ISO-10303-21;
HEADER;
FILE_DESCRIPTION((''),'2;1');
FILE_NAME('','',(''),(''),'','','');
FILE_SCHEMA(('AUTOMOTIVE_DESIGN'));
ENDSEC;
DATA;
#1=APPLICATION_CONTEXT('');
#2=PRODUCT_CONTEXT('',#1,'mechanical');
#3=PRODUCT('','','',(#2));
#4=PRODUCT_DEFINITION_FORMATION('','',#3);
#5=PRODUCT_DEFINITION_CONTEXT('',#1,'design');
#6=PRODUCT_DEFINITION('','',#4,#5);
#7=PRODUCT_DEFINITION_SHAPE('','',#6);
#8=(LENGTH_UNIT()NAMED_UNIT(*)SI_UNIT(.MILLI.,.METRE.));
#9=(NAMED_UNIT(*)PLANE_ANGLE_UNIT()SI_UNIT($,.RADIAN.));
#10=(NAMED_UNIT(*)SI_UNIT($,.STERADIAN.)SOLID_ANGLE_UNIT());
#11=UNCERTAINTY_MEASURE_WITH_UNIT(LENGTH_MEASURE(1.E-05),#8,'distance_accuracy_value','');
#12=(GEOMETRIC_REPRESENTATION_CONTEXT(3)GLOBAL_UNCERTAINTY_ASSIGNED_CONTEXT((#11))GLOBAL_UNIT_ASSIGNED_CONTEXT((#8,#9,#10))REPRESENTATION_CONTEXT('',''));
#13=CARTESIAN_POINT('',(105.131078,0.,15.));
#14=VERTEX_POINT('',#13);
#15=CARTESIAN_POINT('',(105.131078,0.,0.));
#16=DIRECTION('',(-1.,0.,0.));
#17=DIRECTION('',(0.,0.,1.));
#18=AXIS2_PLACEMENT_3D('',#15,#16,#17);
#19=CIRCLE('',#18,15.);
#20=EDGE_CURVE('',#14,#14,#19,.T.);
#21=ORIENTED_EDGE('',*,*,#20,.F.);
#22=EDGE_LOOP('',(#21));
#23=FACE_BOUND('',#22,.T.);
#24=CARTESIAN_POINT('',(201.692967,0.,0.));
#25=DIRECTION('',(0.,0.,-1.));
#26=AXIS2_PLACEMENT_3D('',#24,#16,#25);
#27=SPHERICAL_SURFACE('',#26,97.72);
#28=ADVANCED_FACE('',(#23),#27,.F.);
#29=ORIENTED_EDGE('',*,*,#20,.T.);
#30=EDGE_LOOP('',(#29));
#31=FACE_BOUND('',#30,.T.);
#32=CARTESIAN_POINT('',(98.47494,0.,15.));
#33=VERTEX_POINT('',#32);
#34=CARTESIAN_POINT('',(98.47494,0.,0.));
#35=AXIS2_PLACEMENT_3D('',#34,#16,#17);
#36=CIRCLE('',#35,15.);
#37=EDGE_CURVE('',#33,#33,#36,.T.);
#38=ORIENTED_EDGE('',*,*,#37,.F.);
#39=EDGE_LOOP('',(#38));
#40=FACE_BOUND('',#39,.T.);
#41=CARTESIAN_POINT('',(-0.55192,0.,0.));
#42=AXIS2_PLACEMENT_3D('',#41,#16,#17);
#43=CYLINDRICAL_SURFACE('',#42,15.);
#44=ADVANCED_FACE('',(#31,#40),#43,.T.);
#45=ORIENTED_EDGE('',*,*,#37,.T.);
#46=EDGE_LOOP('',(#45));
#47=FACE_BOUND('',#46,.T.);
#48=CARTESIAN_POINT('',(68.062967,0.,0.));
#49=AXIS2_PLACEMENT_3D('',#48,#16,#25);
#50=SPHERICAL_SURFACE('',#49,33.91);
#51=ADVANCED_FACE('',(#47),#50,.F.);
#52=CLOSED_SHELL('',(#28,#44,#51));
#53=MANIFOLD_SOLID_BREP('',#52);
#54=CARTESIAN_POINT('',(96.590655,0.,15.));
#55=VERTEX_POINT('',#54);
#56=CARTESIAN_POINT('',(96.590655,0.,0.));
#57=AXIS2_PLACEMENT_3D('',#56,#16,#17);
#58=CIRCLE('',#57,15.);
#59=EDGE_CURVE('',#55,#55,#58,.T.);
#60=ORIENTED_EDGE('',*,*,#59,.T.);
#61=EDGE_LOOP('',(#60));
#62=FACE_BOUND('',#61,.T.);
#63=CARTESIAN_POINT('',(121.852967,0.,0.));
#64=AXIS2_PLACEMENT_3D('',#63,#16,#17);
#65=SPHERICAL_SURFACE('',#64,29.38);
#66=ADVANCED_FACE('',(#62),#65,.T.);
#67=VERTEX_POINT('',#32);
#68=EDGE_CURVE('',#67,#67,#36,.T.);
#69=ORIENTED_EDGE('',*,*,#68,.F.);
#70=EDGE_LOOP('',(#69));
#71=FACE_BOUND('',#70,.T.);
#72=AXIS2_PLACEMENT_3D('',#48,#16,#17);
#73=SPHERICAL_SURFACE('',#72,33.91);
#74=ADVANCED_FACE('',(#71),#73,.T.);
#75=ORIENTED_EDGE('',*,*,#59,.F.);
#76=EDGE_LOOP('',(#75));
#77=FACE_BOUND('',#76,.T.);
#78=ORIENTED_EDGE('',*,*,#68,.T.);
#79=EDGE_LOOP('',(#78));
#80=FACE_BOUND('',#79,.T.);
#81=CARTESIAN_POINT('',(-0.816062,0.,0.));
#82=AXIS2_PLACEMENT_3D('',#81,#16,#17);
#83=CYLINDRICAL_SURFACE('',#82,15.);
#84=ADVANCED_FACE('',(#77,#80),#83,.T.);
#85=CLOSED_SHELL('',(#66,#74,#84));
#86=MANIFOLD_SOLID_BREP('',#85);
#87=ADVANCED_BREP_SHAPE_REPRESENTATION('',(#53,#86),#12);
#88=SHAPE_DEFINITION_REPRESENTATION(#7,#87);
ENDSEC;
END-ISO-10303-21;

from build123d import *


with BuildPart() as part:
    # 草图1 one side → 旋转1 (revolve)
    with BuildSketch(Plane(origin=(0, 0, 0), x_dir=(1, 0, 0), z_dir=(0, 1, 0)), mode=Mode.PRIVATE) as revolve_1_sk:
        with BuildLine():
            ThreePointArc((96.590654899, 15), (93.521084336, 7.777457099), (92.472966749, 0))
            Line((92.472966749, 0), (101.972966749, 0))
            ThreePointArc((101.972966749, 0), (101.086883108, 7.701236802), (98.47493972, 15))
            Line((98.47493972, 15), (96.590654899, 15))
        make_face()
    revolve(revolve_1_sk.sketch.rotate(Axis((-0.816062176, 0, 0), (1, 0, 0)), 180), axis=Axis((-0.816062176, 0, 0), (1, 0, 0)))  # turned: the seam where the file's is


with BuildPart() as body_2:
    # 草图2 one side → 旋转2 (revolve)
    with BuildSketch(Plane(origin=(0, 0, 0), x_dir=(1, 0, 0), z_dir=(0, 1, 0)), mode=Mode.PRIVATE) as revolve_2_sk:
        with BuildLine():
            Line((105.131077786, 15), (98.47493972, 15))
            ThreePointArc((98.47493972, 15), (101.086883108, 7.701236802), (101.972966749, 0))
            Line((101.972966749, 0), (103.972966749, 0))
            ThreePointArc((103.972966749, 0), (104.262924694, 7.522320473), (105.131077786, 15))
        make_face()
    revolve(revolve_2_sk.sketch.rotate(Axis((-0.551919993, 0, 0), (1, 0, 0)), 180), axis=Axis((-0.551919993, 0, 0), (1, 0, 0)))  # turned: the seam where the file's is


solid = Compound([part.part, body_2.part])
